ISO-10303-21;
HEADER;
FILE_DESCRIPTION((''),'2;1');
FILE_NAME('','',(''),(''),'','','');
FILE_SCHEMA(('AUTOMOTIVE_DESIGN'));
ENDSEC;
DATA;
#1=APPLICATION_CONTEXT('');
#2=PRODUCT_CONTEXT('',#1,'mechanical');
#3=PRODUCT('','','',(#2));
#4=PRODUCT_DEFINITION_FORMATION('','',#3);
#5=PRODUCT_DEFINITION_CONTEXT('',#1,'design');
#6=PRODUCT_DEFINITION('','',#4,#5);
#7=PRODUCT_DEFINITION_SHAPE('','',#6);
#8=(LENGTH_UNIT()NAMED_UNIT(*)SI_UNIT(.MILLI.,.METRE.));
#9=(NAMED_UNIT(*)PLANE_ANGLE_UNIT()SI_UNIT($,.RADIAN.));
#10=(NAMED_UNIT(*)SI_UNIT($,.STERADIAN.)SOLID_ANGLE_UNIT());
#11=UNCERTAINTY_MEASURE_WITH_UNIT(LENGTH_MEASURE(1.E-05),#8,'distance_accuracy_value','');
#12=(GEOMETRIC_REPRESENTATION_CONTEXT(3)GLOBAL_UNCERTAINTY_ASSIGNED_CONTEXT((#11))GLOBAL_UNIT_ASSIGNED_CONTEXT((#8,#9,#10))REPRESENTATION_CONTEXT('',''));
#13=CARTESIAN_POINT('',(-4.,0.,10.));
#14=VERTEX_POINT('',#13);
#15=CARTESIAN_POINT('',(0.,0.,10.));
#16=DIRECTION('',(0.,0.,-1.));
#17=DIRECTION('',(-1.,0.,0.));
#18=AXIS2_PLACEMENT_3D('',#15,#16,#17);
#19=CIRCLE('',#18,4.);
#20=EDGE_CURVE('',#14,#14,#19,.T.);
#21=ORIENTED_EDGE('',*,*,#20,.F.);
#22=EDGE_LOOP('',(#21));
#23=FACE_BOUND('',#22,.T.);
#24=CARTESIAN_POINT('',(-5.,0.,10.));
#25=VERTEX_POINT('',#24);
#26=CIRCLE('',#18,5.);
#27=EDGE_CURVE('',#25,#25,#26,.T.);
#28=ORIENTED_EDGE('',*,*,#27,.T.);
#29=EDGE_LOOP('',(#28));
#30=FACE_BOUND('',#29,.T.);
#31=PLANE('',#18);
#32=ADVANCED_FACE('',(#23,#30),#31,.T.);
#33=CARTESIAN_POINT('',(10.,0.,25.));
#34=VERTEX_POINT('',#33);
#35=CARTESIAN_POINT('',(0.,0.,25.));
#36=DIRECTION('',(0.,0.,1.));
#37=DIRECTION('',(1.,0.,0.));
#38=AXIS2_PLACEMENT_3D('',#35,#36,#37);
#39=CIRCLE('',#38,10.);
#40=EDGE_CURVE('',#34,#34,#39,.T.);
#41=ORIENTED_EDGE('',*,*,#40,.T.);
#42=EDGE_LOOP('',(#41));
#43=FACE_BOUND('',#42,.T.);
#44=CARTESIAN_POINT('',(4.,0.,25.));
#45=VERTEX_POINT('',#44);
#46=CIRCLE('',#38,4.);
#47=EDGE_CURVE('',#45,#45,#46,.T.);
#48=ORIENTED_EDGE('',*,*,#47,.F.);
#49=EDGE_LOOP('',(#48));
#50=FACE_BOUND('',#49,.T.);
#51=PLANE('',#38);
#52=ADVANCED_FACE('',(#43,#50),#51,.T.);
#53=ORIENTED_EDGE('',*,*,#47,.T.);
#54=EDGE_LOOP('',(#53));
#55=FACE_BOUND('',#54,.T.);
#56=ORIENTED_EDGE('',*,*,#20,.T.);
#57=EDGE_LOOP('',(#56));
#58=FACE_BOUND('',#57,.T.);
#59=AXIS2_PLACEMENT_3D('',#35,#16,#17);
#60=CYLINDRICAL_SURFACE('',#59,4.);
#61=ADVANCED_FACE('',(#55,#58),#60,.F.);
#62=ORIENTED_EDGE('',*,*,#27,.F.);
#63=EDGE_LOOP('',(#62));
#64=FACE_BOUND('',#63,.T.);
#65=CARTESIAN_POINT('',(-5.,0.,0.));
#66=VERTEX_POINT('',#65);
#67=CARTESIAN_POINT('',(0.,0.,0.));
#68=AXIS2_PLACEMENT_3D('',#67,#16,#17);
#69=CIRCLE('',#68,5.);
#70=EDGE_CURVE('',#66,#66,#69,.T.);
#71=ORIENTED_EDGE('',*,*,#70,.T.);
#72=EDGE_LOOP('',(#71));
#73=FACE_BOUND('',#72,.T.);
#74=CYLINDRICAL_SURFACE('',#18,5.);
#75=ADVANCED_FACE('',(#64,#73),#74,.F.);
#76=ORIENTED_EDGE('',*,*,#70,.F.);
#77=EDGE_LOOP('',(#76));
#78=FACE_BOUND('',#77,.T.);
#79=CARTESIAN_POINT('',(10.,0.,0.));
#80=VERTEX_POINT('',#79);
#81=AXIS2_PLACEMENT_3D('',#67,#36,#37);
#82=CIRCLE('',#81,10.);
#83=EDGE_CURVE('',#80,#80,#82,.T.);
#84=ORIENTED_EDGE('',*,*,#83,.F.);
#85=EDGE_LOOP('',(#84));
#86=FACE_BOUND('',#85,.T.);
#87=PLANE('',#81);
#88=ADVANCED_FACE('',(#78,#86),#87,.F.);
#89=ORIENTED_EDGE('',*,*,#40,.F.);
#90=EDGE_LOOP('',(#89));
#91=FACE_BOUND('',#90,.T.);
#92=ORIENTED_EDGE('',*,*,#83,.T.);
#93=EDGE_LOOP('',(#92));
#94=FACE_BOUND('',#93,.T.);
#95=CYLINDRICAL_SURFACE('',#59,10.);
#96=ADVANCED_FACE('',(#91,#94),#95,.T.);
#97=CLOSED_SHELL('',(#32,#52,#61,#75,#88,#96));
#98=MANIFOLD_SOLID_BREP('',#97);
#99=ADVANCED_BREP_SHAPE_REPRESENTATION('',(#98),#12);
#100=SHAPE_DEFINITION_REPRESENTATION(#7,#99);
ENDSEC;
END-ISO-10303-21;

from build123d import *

# Parameters (mm, degrees)
SKETCH_1_R          = 10
SKETCH_1_R_2        = 4
EXTRUDE_1_DEPTH     = 25
SKETCH_2_R          = 5
CUT_EXTRUDE_1_DEPTH = 10


with BuildPart() as part:
    # 草图1 → 凸台-拉伸1 (new body)
    with BuildSketch(Plane.XY):
        Circle(SKETCH_1_R)
        Circle(SKETCH_1_R_2, mode=Mode.SUBTRACT)
    extrude(amount=EXTRUDE_1_DEPTH)

    # 草图2 → 切除-拉伸1 (cut)
    with BuildSketch(Plane(origin=(0, 0, 0), x_dir=(-1, 0, 0), z_dir=(0, 0, -1))):
        Circle(SKETCH_2_R)
    extrude(amount=-CUT_EXTRUDE_1_DEPTH, mode=Mode.SUBTRACT)


solid = part.part
